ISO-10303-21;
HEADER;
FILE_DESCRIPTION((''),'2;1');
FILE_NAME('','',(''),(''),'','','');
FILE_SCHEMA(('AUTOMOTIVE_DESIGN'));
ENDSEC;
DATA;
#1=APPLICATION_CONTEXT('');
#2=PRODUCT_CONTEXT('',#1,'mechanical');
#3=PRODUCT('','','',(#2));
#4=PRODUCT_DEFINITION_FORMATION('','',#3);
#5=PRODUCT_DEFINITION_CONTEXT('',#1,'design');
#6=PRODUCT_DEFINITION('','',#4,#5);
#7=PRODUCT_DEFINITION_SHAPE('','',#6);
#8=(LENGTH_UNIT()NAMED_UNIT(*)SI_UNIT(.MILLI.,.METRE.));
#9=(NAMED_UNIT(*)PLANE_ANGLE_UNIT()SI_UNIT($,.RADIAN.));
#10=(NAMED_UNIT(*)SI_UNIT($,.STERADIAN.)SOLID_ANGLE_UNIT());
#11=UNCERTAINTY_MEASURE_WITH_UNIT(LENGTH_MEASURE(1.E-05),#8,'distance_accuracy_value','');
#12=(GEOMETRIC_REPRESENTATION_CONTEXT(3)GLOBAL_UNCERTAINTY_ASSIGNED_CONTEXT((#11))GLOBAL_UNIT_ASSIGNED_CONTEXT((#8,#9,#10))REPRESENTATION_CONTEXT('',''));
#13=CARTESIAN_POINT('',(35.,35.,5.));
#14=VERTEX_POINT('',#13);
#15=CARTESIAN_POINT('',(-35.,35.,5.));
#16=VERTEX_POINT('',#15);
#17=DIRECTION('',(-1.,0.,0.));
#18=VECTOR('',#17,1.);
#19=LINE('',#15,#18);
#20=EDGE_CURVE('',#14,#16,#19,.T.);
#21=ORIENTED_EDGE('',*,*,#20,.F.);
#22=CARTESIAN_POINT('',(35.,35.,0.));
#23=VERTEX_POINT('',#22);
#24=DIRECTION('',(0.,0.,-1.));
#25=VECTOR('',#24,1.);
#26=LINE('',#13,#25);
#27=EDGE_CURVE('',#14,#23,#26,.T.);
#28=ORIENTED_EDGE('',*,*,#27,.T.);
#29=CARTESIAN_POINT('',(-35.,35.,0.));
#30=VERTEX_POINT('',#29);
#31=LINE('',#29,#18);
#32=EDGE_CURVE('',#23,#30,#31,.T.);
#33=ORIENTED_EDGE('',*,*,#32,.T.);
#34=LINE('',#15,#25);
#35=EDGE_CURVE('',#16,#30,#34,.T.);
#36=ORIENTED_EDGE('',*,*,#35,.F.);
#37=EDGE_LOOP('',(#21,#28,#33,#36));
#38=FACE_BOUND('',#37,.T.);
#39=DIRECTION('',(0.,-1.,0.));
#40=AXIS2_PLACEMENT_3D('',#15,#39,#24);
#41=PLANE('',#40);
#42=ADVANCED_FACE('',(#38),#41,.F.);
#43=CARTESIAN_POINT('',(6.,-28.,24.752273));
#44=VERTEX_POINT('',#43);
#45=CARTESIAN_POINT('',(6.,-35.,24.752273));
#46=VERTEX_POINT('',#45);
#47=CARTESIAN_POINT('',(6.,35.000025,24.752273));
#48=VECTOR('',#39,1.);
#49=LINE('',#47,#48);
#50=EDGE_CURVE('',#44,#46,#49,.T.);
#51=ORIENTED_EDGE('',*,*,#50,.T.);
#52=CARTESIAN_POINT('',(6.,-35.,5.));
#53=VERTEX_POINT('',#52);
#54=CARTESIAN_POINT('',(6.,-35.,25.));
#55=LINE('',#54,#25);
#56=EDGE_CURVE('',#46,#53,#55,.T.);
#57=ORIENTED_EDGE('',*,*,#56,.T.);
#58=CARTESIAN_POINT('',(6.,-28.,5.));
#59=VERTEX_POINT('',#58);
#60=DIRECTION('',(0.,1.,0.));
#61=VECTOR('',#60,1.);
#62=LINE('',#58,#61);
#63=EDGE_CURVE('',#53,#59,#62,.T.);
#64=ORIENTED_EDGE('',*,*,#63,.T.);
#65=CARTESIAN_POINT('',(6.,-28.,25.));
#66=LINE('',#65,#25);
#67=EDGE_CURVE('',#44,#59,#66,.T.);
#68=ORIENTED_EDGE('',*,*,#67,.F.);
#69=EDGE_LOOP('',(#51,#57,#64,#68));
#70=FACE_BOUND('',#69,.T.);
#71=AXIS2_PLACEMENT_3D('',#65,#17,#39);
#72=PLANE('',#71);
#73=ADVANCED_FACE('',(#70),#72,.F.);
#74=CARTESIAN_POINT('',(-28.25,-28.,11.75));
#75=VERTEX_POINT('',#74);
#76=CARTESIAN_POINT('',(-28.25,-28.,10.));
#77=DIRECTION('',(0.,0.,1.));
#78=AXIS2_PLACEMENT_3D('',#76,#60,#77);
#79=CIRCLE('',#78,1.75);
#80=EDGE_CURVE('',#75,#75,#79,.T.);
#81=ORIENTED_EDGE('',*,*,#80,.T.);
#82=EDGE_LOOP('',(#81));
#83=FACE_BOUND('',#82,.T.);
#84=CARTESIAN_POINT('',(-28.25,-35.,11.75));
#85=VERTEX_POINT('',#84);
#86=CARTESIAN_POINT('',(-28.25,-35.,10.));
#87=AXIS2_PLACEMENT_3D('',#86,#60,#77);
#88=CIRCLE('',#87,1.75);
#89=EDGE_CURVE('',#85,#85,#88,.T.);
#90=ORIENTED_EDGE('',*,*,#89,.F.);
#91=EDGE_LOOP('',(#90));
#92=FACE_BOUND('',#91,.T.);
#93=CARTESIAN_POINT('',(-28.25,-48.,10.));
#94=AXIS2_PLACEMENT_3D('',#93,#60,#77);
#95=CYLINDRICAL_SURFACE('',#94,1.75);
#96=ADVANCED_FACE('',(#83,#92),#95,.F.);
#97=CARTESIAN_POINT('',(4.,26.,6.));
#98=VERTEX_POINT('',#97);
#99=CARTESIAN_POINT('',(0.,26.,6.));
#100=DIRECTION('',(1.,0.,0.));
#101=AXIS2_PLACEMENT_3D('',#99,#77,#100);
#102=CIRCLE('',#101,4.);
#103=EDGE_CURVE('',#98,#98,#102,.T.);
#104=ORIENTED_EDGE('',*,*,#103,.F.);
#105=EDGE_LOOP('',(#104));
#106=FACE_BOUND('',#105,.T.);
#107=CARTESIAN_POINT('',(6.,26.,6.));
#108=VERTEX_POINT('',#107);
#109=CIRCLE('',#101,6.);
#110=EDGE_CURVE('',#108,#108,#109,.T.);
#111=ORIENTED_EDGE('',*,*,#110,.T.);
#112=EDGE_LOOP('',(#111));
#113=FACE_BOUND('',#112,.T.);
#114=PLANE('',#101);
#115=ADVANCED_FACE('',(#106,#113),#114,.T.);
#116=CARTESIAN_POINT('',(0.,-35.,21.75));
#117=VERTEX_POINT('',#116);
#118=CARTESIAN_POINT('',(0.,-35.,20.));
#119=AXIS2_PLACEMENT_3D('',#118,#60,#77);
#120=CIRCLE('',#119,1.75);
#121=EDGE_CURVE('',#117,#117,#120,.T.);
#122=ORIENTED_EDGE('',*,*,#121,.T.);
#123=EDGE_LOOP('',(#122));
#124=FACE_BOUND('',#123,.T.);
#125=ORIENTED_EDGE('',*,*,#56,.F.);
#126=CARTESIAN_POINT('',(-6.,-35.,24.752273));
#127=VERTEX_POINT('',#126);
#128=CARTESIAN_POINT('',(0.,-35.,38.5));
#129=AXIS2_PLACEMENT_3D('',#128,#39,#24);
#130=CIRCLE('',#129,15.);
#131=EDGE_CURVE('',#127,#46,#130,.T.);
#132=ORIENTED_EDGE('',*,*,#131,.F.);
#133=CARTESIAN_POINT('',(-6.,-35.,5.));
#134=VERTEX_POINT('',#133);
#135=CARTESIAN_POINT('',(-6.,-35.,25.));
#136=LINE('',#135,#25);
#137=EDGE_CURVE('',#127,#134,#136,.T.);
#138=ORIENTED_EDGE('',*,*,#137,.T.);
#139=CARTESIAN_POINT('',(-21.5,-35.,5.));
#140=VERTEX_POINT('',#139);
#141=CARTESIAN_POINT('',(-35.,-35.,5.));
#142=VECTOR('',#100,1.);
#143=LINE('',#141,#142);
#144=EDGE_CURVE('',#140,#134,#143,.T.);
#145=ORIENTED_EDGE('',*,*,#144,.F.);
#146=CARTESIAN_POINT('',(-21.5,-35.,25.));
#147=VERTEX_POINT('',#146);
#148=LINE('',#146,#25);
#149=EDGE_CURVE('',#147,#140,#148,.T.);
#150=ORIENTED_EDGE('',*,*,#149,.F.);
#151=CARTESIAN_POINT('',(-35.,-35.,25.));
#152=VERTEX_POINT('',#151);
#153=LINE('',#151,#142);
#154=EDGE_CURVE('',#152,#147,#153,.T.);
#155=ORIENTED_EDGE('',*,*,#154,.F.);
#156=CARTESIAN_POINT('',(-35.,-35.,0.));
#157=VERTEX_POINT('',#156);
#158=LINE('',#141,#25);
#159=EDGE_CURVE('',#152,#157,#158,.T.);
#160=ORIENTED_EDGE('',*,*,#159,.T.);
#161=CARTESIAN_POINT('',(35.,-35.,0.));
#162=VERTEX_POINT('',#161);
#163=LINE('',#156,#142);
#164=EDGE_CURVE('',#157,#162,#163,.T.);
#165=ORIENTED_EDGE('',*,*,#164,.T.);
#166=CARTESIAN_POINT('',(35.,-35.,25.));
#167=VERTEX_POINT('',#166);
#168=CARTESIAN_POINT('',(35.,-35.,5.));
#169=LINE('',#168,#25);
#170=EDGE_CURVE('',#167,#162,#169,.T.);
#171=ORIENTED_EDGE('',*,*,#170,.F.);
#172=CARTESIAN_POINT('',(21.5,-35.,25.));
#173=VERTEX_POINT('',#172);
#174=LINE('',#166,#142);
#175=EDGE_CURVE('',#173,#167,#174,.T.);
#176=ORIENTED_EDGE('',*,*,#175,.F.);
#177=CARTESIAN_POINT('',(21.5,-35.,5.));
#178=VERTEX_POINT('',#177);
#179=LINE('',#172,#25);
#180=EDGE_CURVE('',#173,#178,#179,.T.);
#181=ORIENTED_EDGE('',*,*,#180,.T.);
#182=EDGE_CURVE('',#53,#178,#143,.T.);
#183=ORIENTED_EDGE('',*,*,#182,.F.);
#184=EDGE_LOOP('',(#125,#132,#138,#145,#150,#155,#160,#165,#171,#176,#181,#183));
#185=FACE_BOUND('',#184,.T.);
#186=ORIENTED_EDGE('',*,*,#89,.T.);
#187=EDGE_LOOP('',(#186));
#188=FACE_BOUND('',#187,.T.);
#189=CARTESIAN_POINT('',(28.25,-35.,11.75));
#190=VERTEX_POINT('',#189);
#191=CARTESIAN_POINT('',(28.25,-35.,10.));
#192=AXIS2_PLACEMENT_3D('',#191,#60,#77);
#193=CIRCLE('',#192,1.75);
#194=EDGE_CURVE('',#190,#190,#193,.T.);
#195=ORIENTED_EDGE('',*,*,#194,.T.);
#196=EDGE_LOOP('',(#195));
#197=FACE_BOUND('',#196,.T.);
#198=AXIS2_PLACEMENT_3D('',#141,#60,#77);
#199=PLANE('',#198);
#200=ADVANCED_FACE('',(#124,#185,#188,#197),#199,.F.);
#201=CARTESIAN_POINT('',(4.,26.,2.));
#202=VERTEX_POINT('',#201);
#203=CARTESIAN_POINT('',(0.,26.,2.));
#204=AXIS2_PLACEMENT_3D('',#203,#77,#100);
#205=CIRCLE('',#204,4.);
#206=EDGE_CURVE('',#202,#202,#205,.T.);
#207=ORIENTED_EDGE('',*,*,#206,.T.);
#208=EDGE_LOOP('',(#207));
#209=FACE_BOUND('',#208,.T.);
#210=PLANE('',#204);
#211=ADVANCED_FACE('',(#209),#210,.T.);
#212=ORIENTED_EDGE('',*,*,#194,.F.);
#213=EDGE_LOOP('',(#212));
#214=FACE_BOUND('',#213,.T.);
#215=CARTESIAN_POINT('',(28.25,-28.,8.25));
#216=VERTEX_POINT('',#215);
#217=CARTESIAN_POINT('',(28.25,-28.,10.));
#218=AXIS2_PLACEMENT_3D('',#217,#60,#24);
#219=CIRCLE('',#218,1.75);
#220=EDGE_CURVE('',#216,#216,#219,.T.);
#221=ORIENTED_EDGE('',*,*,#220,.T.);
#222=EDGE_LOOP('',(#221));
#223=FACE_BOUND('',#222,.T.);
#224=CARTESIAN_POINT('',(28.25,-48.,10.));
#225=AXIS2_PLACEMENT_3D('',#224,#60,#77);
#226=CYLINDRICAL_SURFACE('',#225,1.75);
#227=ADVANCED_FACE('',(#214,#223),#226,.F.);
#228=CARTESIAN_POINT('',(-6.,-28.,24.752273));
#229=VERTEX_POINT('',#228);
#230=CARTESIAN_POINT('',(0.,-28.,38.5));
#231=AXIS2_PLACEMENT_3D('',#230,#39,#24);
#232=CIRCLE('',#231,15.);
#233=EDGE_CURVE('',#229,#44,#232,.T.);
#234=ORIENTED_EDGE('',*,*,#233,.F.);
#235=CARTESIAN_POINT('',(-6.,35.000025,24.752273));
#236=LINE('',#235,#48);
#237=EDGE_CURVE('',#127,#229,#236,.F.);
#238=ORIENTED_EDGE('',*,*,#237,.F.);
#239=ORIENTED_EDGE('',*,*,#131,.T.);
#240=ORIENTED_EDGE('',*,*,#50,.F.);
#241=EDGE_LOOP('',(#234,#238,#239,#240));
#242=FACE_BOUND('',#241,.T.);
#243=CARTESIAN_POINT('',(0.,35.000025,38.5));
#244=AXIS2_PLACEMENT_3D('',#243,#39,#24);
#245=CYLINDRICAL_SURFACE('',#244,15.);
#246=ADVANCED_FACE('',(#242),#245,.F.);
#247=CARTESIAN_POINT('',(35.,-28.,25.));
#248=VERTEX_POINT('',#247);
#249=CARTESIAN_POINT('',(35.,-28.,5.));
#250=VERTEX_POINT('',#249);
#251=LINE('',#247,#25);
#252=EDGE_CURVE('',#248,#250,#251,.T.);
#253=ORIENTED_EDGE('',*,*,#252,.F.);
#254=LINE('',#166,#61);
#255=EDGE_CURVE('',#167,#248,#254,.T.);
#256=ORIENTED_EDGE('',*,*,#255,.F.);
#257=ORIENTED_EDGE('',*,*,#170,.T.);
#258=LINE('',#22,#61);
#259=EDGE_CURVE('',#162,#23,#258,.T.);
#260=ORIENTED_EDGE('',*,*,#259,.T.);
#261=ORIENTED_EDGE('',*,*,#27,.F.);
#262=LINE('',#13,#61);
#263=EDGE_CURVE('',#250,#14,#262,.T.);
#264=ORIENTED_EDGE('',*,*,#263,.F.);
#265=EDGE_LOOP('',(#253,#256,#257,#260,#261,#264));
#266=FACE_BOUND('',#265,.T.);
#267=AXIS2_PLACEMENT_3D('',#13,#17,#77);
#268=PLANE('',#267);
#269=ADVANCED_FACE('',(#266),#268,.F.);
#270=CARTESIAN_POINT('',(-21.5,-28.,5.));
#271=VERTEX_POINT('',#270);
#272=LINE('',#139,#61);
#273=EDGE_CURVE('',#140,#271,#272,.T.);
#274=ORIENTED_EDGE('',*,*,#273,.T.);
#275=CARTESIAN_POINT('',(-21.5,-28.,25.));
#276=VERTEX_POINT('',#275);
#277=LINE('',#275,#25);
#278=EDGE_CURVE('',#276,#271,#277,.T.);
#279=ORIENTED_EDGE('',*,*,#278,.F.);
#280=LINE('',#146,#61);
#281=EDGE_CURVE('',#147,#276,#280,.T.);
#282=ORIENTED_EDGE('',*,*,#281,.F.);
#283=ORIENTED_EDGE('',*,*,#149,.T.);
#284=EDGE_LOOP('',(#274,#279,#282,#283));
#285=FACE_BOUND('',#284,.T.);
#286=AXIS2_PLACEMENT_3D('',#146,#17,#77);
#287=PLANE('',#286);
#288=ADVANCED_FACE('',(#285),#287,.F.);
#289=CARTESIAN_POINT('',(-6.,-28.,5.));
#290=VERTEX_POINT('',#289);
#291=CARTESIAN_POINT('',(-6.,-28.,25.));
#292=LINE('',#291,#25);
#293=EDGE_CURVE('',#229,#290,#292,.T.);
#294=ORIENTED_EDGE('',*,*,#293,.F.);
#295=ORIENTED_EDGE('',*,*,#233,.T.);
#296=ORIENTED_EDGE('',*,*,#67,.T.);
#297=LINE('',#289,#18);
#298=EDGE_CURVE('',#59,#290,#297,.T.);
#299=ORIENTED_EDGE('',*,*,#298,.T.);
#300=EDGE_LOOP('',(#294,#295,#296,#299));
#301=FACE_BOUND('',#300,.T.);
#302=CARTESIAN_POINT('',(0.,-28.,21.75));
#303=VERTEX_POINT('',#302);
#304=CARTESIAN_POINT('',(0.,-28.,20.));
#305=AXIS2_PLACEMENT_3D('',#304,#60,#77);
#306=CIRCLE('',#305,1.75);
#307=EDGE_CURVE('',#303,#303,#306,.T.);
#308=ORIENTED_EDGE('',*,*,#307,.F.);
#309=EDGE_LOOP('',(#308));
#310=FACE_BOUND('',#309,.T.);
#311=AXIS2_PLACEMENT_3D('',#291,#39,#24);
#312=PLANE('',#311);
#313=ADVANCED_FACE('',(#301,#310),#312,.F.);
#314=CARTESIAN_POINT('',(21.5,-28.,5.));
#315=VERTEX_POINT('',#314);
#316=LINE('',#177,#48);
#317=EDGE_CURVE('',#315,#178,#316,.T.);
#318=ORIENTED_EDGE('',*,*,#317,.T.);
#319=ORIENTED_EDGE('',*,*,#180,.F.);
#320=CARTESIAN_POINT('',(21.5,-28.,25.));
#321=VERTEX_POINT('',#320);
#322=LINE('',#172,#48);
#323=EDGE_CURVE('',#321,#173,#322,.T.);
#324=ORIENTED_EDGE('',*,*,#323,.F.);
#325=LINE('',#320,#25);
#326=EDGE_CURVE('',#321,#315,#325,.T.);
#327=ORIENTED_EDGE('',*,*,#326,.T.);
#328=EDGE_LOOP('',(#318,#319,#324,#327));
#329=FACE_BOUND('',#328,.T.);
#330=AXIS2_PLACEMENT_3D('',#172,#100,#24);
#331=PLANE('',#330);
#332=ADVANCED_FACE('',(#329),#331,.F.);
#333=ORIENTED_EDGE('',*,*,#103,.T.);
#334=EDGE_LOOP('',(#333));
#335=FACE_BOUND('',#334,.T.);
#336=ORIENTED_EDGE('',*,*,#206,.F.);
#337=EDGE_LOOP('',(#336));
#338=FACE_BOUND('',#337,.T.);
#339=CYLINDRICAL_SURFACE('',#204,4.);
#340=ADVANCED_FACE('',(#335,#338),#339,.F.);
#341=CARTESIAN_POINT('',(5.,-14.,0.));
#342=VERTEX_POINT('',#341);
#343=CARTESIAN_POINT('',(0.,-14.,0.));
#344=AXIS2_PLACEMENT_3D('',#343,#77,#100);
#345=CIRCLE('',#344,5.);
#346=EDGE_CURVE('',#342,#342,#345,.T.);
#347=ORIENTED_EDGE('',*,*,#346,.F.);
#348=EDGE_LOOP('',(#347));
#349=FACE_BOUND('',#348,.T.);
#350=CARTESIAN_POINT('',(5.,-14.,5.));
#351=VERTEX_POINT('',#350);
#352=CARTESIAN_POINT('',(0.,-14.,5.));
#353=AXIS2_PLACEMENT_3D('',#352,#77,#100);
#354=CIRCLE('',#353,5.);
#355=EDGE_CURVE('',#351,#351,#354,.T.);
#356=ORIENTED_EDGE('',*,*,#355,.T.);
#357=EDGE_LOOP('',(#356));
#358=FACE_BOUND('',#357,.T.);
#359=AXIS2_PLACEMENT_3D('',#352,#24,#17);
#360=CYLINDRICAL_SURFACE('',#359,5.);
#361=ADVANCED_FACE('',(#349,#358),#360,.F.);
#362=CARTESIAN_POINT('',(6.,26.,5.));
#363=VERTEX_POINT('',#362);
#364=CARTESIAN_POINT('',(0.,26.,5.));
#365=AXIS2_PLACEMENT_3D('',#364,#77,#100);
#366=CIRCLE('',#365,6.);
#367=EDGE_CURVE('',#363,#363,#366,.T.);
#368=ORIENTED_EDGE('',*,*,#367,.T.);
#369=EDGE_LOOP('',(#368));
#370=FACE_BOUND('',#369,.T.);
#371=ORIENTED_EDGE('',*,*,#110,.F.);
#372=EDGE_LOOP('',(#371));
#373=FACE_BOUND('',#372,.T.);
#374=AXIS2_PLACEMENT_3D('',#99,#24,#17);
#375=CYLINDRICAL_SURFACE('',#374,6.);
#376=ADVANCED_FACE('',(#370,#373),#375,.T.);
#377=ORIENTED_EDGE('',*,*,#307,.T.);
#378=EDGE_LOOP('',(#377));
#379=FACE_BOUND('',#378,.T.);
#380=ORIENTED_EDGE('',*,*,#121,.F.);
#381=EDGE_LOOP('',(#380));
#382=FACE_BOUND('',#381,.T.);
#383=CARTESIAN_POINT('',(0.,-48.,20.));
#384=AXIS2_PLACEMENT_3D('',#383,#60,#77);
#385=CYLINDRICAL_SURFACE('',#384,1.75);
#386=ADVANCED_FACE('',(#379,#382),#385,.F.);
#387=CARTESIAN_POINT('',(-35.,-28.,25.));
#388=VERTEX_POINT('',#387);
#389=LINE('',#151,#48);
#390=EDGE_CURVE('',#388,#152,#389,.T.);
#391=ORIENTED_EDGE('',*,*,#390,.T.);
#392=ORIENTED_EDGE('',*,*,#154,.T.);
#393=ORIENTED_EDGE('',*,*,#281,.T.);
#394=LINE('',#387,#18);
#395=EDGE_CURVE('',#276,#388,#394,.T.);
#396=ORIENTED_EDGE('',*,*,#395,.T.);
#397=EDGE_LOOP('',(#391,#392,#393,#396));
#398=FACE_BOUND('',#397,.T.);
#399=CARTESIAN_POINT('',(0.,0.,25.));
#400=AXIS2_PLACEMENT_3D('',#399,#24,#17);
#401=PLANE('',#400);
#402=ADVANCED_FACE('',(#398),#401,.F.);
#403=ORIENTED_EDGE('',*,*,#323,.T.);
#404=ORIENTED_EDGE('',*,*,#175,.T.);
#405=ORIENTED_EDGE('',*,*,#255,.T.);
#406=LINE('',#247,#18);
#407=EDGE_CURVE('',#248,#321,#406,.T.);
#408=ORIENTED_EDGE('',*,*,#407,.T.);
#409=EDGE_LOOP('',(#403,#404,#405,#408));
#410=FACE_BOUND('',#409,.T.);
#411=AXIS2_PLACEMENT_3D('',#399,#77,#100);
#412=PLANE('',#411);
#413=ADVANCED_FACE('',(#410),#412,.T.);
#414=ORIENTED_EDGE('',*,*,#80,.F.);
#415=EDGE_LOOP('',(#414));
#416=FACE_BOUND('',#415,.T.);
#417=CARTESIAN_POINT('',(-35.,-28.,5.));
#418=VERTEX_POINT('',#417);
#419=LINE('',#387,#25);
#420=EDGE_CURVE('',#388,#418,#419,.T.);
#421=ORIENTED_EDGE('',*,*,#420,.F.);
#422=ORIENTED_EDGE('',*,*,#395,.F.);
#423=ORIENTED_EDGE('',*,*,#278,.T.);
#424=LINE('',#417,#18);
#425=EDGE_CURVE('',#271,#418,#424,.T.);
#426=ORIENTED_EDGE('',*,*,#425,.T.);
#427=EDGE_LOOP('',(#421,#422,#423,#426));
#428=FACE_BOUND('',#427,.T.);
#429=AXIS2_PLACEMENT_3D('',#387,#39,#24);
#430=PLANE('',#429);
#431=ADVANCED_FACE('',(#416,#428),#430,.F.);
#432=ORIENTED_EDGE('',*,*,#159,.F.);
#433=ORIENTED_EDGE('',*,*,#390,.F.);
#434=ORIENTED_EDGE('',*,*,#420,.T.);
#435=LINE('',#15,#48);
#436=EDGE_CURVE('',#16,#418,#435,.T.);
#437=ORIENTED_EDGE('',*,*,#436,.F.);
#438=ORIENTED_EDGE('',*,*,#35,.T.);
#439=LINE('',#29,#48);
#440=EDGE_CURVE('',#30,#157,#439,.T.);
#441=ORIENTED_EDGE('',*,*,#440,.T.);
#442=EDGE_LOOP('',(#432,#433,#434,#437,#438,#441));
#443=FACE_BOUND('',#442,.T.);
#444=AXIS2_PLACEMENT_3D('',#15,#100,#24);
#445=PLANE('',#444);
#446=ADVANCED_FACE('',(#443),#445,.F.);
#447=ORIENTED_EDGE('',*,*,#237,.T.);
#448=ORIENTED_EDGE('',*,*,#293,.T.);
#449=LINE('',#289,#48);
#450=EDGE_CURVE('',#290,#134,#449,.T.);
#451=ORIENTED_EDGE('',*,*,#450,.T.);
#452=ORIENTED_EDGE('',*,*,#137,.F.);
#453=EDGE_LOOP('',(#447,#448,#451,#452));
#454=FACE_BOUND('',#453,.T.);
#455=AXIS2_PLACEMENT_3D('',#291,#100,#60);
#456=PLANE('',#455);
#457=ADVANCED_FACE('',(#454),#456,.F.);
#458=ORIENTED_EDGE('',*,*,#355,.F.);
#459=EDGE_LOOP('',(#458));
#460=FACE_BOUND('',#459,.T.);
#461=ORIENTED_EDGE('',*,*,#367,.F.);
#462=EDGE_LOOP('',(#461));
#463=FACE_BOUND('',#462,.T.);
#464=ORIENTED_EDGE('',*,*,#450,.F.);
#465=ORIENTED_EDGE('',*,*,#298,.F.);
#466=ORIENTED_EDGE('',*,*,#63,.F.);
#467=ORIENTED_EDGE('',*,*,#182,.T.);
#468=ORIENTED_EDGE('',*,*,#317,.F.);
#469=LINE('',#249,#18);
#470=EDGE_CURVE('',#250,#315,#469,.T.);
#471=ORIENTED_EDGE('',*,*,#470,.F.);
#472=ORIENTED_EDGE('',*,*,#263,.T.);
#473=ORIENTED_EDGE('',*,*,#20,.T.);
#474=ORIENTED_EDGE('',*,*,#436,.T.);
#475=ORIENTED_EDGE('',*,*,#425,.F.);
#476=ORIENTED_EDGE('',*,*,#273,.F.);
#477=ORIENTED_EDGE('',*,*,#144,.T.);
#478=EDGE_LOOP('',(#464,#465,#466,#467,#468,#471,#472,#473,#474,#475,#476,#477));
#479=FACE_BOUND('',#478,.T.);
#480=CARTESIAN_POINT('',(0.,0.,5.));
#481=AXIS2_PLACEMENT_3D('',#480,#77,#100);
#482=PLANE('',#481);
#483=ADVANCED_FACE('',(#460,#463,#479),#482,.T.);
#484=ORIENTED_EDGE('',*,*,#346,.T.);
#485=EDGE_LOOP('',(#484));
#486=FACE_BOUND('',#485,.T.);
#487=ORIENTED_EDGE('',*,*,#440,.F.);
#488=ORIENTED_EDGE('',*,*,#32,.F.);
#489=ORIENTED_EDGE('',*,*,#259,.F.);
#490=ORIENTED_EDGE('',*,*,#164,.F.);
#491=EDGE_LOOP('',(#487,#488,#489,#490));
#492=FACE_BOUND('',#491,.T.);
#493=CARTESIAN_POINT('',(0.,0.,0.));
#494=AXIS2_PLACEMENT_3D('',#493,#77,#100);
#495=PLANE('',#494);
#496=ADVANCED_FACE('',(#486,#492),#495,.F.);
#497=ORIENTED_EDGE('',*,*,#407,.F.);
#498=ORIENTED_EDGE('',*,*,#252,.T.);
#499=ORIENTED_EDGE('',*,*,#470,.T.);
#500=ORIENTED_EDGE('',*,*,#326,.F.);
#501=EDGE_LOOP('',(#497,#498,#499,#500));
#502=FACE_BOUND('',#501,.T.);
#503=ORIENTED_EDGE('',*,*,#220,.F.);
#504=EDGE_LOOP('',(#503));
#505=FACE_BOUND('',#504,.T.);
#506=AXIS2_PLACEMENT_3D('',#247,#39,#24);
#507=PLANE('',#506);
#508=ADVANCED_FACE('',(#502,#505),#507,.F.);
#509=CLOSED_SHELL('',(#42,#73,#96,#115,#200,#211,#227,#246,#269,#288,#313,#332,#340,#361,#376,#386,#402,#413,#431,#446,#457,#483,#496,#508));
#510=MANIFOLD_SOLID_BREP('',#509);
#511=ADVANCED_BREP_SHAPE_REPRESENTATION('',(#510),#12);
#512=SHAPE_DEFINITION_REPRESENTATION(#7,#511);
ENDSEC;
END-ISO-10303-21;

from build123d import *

# Parameters (mm, degrees)
SKETCH1_W           = 70
SKETCH1_H           = 70
SKETCH1_R           = 5
BOSS_EXTRUDE1_DEPTH = 5
SKETCH2_W           = 13.5
SKETCH2_H           = 7
SKETCH2_W_2         = 12
BOSS_EXTRUDE2_DEPTH = 20
SKETCH3_R           = 1.75
CUT_EXTRUDE1_DEPTH  = 20
SKETCH4_R           = 4
CUT_EXTRUDE2_DEPTH  = 3
BOSS_EXTRUDE3_START = 1
SKETCH5_R           = 6
SKETCH5_R_2         = 4
BOSS_EXTRUDE3_DEPTH = 1
SKETCH6_R           = 15
CUT_EXTRUDE3_DEPTH  = 83.158383626


with BuildPart() as part:
    # Sketch1 → Boss-Extrude1 (new body)
    with BuildSketch(Plane.XY):
        Rectangle(SKETCH1_W, SKETCH1_H)
        with Locations((0, -14)):
            Circle(SKETCH1_R, mode=Mode.SUBTRACT)
    extrude(amount=BOSS_EXTRUDE1_DEPTH)

    # Sketch2 → Boss-Extrude2 (add)
    with BuildSketch(Plane.XY.offset(5)):
        with Locations((-28.25, -31.5)):
            Rectangle(SKETCH2_W, SKETCH2_H)
        with Locations((28.25, -31.5)):
            Rectangle(SKETCH2_W, SKETCH2_H)
        with Locations((0, -31.5)):
            Rectangle(SKETCH2_W_2, SKETCH2_H)
    extrude(amount=BOSS_EXTRUDE2_DEPTH)

    # Sketch3 → Cut-Extrude1 (cut)
    with BuildSketch(Plane(origin=(0, -28, 0), x_dir=(1, 0, 0), z_dir=(0, 1, 0))):
        with Locations(Location((-28.25, -10, 0), (0, 0, 270))):
            Circle(SKETCH3_R)
        with Locations(Location((28.25, -10, 0), (0, 0, 270))):
            Circle(SKETCH3_R)
        with Locations(Location((0, -20, 0), (0, 0, 270))):
            Circle(SKETCH3_R)
    extrude(amount=-CUT_EXTRUDE1_DEPTH, mode=Mode.SUBTRACT)

    # Sketch4 → Cut-Extrude2 (cut)
    with BuildSketch(Plane.XY.offset(5)):
        with Locations((0, 26)):
            Circle(SKETCH4_R)
    extrude(amount=-CUT_EXTRUDE2_DEPTH, mode=Mode.SUBTRACT)

    # Sketch5 → Boss-Extrude3 (add)
    with BuildSketch(Plane.XY.offset(5).offset(BOSS_EXTRUDE3_START)):
        with Locations((0, 26)):
            Circle(SKETCH5_R)
        with Locations((0, 26)):
            Circle(SKETCH5_R_2, mode=Mode.SUBTRACT)
    extrude(amount=-BOSS_EXTRUDE3_DEPTH)

    # Sketch6 → Cut-Extrude3 (cut, through all)
    with BuildSketch(Plane.XZ.offset(35)):
        with Locations((0, 38.5)):
            Circle(SKETCH6_R)
    extrude(amount=-CUT_EXTRUDE3_DEPTH, mode=Mode.SUBTRACT)


solid = part.part
